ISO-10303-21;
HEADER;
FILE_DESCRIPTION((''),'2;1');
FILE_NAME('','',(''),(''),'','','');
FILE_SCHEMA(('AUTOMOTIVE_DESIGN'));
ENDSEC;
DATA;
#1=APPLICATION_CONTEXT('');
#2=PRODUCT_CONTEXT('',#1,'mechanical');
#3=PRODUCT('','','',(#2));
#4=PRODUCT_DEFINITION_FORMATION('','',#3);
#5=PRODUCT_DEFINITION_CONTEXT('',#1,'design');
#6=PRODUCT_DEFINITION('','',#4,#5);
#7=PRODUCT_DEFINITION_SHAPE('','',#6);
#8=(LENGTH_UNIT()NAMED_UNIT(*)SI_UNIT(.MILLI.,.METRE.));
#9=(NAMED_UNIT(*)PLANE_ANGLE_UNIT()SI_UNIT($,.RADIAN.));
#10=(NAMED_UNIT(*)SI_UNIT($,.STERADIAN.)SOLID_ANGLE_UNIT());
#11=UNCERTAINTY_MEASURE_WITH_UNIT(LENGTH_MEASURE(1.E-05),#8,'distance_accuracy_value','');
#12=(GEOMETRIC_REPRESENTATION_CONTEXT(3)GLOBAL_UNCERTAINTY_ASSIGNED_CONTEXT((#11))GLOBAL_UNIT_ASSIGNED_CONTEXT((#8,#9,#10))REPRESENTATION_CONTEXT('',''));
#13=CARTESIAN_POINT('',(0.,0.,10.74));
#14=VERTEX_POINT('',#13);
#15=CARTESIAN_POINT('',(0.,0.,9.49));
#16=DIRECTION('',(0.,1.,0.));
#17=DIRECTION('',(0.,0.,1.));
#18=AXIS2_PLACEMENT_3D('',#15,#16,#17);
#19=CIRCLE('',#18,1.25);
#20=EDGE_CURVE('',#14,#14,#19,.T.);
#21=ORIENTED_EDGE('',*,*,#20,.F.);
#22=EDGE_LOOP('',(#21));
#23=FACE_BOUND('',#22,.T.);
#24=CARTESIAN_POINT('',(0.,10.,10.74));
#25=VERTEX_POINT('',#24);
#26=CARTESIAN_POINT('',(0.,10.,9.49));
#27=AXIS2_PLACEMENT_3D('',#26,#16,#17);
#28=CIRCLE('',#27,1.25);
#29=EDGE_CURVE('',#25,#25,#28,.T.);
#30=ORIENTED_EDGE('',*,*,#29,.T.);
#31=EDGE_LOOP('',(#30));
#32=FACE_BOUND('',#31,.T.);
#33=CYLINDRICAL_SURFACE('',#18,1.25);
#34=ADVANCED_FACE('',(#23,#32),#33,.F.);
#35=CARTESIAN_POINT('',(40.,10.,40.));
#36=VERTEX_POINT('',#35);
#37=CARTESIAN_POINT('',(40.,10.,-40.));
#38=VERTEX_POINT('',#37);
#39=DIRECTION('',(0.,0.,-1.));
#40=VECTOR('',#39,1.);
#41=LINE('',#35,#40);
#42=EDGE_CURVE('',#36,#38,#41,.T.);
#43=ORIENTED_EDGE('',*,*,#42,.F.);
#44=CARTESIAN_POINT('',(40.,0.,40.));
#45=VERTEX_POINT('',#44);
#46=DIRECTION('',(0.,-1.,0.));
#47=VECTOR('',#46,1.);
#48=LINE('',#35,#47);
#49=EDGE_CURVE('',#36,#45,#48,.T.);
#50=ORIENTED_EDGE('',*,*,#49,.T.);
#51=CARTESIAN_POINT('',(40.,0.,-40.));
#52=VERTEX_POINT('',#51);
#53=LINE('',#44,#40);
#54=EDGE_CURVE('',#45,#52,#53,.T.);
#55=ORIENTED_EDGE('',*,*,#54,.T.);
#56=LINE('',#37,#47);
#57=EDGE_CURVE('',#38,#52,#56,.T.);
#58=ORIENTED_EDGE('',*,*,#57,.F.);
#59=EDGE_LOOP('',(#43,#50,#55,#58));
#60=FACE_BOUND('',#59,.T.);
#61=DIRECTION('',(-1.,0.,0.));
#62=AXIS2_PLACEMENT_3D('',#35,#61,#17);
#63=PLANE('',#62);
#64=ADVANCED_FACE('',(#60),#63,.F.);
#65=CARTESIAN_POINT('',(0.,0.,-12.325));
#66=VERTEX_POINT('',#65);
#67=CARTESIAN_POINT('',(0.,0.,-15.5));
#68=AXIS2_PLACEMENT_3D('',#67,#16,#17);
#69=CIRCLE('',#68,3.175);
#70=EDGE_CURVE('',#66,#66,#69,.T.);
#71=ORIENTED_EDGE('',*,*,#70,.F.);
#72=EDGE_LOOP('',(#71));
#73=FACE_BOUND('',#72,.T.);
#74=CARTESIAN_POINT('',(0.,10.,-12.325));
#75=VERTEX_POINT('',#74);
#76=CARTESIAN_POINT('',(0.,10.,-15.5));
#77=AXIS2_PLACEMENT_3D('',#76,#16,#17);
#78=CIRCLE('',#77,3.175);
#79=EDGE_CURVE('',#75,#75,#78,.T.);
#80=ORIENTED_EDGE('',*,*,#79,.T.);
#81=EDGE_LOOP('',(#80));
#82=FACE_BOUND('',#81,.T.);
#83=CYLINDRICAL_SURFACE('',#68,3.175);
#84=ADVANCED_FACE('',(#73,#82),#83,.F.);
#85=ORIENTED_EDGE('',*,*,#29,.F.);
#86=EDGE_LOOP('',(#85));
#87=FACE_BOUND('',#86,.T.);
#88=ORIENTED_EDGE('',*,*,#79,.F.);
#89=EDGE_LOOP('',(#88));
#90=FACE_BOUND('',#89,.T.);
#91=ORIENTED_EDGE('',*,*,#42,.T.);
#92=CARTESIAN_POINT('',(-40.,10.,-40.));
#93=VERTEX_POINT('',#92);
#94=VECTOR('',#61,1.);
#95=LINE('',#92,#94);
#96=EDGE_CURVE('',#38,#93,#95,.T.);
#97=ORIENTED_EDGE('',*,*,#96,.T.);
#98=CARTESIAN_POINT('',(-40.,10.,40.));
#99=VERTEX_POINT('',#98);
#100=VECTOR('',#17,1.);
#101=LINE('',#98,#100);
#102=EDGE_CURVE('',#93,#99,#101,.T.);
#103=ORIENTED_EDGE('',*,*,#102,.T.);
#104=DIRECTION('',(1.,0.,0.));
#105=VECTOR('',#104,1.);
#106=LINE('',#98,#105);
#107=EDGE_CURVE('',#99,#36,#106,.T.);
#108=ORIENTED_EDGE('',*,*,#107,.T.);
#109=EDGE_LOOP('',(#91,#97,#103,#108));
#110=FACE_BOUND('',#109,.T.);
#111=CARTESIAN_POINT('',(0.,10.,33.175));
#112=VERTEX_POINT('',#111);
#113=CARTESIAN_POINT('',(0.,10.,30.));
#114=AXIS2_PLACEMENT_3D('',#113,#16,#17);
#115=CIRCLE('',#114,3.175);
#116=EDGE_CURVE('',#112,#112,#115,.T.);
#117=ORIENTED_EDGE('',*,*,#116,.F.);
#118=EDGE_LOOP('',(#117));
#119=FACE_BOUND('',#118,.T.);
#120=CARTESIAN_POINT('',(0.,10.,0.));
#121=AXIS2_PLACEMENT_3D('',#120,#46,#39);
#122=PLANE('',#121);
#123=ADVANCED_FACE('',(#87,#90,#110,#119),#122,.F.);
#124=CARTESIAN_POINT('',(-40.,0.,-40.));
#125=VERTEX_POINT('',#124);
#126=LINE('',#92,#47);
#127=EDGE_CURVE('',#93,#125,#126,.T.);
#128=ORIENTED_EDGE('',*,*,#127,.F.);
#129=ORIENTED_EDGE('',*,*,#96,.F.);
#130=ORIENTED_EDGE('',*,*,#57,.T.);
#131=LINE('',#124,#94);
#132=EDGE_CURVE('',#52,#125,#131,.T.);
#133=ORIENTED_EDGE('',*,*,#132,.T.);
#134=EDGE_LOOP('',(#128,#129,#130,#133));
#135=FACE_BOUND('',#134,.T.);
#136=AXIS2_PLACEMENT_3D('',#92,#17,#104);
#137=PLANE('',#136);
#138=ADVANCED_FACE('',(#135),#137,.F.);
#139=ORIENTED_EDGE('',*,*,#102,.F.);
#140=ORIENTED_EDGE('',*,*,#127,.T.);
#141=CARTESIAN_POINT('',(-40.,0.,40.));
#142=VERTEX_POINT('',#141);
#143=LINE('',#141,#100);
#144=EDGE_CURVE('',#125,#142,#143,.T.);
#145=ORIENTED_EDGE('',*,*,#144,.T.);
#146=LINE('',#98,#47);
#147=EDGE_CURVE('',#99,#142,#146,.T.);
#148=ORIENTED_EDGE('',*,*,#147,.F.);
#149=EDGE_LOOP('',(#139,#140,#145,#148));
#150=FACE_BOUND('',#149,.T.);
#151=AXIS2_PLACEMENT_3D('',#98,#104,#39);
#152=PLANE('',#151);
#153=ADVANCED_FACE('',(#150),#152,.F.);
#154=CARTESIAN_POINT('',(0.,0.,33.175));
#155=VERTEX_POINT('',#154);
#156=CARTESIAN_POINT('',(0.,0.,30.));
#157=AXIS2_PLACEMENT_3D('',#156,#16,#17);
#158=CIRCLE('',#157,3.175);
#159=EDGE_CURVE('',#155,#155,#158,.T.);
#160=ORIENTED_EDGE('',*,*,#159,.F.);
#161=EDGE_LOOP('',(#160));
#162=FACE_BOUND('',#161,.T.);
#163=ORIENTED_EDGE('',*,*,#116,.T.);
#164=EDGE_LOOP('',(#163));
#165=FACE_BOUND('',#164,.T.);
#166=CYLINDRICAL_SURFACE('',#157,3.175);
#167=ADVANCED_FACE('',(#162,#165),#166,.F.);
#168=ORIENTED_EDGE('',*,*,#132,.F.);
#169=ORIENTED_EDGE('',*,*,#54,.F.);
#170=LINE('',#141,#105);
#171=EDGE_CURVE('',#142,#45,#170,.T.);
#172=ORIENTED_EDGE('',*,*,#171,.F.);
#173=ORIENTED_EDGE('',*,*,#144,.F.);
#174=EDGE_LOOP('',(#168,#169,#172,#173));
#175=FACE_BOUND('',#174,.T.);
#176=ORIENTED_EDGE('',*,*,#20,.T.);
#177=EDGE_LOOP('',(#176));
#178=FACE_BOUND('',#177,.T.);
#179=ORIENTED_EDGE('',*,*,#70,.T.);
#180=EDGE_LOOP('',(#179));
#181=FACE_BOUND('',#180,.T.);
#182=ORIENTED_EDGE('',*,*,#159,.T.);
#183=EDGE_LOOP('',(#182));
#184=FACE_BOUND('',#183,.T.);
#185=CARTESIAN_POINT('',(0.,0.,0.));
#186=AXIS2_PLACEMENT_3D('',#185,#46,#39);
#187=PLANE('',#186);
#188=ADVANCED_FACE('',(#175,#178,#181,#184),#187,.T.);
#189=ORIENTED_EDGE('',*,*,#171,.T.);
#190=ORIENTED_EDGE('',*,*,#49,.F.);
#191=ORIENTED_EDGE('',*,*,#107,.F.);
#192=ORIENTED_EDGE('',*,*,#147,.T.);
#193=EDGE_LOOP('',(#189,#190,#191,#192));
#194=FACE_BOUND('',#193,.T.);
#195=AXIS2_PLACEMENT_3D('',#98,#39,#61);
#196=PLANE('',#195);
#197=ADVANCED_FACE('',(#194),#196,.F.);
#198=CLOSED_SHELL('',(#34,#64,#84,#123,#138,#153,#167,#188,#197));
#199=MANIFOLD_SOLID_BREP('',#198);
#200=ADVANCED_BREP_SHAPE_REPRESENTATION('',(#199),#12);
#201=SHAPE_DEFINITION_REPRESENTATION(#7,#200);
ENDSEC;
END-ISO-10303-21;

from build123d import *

# Parameters (mm, degrees)
SKETCH1_W           = 80
SKETCH1_H           = 80
BOSS_EXTRUDE1_DEPTH = 10
SKETCH2_R           = 3.175
SKETCH2_R_2         = 1.25
CUT_EXTRUDE1_DEPTH  = 10


with BuildPart() as part:
    # Sketch1 → Boss-Extrude1 (new body)
    with BuildSketch(Plane(origin=(0, 0, 0), x_dir=(1, 0, 0), z_dir=(0, 1, 0))):
        Rectangle(SKETCH1_W, SKETCH1_H)
    extrude(amount=BOSS_EXTRUDE1_DEPTH)

    # Sketch2 → Cut-Extrude1 (cut)
    with BuildSketch(Plane(origin=(0, 10, 0), x_dir=(1, 0, 0), z_dir=(0, 1, 0))):
        with Locations(Location((0, -30, 0), (0, 0, 270))):
            Circle(SKETCH2_R)
        with Locations(Location((0, -9.49, 0), (0, 0, 270))):
            Circle(SKETCH2_R_2)
        with Locations(Location((0, 15.5, 0), (0, 0, 270))):
            Circle(SKETCH2_R)
    extrude(amount=-CUT_EXTRUDE1_DEPTH, mode=Mode.SUBTRACT)


solid = part.part
